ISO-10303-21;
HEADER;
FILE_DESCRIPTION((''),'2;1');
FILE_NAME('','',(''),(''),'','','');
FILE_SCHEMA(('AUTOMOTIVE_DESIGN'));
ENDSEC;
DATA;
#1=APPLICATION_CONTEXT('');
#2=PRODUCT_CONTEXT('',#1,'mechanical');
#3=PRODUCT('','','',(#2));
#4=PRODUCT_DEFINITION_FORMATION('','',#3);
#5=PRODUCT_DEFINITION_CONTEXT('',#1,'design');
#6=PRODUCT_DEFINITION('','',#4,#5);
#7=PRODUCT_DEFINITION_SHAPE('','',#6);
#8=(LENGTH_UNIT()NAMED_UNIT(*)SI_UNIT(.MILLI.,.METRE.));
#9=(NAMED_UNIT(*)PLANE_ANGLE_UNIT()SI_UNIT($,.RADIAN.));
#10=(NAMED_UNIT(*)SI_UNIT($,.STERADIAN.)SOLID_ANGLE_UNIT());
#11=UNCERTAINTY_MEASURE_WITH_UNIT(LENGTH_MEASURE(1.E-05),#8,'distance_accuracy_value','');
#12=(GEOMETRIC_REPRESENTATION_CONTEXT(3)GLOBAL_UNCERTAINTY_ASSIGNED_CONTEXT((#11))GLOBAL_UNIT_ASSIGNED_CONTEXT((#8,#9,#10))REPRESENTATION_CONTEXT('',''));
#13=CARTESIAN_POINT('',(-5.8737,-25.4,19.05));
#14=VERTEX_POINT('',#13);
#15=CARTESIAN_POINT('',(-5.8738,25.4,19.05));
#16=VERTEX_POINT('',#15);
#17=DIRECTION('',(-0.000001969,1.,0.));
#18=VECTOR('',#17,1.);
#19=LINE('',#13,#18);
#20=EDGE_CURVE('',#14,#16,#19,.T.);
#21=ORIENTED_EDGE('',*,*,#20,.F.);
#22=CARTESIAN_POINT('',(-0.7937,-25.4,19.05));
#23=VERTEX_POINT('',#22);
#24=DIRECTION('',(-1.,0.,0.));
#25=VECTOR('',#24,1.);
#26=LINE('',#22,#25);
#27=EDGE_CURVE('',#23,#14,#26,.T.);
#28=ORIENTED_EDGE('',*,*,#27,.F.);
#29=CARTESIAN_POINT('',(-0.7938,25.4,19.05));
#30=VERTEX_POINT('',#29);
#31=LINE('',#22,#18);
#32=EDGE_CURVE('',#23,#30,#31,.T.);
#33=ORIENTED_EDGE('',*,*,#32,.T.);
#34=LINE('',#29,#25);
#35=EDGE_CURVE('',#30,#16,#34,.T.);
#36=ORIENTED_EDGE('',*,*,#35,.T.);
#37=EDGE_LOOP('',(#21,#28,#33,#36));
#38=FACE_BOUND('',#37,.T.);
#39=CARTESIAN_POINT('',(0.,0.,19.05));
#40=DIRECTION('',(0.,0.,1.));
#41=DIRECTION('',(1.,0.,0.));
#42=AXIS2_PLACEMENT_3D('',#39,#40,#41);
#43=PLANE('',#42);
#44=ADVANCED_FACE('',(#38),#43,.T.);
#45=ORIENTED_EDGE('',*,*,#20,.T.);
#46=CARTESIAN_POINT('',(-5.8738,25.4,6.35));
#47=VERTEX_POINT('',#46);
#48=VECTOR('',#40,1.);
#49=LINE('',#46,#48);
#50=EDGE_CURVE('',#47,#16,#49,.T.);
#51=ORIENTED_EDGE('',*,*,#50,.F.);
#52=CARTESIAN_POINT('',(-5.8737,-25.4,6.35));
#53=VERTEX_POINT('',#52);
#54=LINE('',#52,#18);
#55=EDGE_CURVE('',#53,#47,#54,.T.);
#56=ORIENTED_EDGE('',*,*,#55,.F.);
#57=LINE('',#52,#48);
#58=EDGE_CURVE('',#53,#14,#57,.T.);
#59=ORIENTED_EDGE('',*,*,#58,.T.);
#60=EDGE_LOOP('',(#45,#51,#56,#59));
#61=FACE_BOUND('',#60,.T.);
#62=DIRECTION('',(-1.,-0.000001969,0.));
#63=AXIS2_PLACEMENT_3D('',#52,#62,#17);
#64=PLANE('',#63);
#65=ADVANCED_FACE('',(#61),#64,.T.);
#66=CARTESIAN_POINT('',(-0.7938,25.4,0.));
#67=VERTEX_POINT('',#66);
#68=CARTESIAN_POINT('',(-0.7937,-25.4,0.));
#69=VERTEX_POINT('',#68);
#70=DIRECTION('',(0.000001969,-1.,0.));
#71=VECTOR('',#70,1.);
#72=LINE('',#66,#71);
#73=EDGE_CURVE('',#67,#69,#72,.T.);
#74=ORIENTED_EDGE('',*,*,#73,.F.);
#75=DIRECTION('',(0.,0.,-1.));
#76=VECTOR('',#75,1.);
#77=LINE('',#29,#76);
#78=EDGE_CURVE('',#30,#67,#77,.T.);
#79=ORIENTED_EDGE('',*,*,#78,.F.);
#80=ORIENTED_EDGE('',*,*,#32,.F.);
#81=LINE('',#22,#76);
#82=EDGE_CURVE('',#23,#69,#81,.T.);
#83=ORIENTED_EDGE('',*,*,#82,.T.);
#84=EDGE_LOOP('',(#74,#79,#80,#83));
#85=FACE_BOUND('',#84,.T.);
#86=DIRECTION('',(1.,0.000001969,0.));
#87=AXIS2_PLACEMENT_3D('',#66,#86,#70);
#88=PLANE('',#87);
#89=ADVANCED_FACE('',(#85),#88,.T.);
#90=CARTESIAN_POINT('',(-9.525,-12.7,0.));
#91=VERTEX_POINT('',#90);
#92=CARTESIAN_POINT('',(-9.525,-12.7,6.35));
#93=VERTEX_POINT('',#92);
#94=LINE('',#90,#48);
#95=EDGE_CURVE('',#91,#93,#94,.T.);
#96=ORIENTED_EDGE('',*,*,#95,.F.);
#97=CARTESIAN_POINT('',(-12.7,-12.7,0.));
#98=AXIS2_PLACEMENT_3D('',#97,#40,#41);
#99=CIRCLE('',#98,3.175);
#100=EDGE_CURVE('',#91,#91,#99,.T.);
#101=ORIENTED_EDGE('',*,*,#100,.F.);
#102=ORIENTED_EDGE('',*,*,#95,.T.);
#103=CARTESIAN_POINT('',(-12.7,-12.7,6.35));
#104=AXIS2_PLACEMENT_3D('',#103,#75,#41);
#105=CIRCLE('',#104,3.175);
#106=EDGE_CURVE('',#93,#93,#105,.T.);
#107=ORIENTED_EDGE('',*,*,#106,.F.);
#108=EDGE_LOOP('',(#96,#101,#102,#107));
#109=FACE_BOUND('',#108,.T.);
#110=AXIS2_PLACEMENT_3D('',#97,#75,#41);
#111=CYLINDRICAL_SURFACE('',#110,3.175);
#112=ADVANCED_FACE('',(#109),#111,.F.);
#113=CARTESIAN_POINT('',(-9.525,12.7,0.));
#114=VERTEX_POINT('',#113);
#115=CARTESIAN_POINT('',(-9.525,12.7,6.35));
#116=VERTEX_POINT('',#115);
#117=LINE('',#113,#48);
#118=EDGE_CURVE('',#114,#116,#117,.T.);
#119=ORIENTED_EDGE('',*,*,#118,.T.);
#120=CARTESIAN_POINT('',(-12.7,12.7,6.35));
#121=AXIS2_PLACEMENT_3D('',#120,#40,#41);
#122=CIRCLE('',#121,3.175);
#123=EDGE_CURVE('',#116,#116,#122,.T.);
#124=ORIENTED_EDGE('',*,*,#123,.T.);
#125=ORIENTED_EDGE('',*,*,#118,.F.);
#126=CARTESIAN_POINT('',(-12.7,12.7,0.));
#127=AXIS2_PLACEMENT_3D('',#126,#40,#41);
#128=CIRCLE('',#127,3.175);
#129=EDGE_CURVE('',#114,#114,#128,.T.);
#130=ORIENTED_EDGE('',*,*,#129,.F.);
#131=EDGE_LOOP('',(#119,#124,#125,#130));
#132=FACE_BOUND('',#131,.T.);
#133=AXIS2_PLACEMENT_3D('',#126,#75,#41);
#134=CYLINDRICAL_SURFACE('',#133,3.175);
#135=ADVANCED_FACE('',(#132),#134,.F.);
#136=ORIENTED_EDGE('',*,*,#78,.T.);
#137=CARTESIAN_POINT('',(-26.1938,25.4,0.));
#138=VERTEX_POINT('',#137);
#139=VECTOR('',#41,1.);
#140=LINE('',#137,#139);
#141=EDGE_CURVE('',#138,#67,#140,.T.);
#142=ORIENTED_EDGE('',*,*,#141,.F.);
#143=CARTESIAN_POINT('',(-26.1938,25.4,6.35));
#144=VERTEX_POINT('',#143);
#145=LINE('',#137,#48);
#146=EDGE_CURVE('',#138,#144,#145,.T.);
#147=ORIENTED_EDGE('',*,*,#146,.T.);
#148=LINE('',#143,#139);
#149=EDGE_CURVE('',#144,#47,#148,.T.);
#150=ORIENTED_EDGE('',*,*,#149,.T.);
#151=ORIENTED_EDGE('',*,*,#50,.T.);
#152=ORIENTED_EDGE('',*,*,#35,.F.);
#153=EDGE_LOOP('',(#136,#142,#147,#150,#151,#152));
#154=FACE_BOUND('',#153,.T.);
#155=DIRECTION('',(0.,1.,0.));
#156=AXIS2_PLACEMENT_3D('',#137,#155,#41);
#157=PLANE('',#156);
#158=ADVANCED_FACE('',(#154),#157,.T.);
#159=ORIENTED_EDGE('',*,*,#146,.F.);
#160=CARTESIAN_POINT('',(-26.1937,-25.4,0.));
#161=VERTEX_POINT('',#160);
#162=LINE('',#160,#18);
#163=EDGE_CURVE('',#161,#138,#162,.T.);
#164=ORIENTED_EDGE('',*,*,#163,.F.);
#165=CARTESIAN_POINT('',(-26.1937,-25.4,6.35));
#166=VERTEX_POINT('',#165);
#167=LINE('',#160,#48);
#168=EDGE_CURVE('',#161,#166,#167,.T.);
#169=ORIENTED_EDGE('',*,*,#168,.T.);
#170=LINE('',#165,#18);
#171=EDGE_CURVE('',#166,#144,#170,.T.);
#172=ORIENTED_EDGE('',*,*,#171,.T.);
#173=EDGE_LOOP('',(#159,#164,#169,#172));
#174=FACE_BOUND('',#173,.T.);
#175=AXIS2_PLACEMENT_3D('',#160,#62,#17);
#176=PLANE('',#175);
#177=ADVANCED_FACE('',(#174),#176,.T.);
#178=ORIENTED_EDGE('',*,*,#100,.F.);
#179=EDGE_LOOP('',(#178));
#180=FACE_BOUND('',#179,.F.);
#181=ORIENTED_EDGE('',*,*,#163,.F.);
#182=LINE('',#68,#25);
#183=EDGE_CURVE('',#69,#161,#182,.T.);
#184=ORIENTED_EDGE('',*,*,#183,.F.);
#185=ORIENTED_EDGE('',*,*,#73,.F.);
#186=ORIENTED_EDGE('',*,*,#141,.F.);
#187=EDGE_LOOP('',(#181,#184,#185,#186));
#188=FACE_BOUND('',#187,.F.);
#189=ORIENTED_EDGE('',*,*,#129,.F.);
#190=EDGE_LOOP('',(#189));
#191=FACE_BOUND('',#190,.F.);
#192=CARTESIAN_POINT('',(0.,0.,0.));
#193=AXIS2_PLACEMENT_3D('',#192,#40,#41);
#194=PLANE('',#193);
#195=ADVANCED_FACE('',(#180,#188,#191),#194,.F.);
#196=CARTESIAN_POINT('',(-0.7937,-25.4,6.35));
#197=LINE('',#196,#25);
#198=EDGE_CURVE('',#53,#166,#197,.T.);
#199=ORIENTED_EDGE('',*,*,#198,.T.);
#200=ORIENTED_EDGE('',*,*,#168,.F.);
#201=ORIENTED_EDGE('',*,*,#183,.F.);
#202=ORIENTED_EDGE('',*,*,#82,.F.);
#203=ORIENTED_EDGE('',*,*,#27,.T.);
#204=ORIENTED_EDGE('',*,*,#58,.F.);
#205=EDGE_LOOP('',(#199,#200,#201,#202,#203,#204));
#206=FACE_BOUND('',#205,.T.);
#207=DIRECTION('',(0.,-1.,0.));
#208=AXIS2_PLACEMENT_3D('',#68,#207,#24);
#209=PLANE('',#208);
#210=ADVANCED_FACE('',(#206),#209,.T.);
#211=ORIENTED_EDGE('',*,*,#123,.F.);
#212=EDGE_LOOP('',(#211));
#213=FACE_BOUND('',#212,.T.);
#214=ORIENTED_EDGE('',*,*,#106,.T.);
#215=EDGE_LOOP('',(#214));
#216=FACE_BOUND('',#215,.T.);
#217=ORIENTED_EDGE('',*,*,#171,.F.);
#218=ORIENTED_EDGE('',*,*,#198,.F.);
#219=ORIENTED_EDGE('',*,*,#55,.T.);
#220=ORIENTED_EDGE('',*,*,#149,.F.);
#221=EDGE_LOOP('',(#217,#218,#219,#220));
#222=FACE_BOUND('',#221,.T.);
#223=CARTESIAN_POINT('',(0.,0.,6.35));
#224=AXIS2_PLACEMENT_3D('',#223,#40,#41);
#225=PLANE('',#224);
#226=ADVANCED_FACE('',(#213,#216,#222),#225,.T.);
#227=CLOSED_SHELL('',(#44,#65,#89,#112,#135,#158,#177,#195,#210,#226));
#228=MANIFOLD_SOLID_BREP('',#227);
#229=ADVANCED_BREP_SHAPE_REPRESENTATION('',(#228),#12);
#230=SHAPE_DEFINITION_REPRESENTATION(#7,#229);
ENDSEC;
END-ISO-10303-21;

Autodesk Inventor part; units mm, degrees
ref_plane "YZ Plane" through (0, 0, 0) normal (1, 0, 0) x (0, 1, 0)
ref_plane "XZ Plane" through (0, 0, 0) normal (0, 1, 0) x (-1, 0, 0)
ref_plane "XY Plane" through (0, 0, 0) normal (0, 0, 1) x (1, 0, 0)
sketch "Sketch1" plane through (0, 0, 0) normal (0, 0, 1) x (1, 0, 0)
  line L0 (0, 2.4078) -> (0, -18.8352)
  line L1 (-12.7, 4.1621) -> (-12.7, -19.6361)
  line L2 (-20.3324, 0) -> (-11.9249, 0)
  circle A0 centre (-12.7, 12.7) radius 3.175
  circle A1 centre (-12.7, -12.7) radius 3.175
  line L3 (-26.1938, 25.4) -> (-0.7938, 25.4)
  line L4 (-0.7938, 25.4) -> (-0.7937, -25.4)
  line L5 (-0.7937, -25.4) -> (-26.1937, -25.4)
  line L6 (-26.1937, -25.4) -> (-26.1938, 25.4)
  point P0 (0, 0)
  dimension "d0" = 12.7
  dimension "d1" = 25.4
  dimension "d2" = 25.4
  dimension "d3" = 6.35
  dimension "d4" = 6.35
  dimension "d5" = 1.5875
  dimension "d6" = 25.4
  dimension "d7" = 50.8
  dimension "d8" = 12.7
extrude "Extrusion1" add sketch "Sketch1" along normal blind 6.35
sketch "Sketch2" plane through (0, 0, 6.35) normal (0, 0, 1) x (1, 0, 0)
  line L0 (-0.7938, 25.4) -> (-26.1938, 25.4) projected
  line L1 (-0.7937, -25.4) -> (-0.7938, 25.4) projected
  line L2 (-5.8738, 25.4) -> (-0.7937, 25.4)
  line L3 (-0.7937, 25.4) -> (-0.7937, -25.4)
  line L4 (-0.7937, -25.4) -> (-5.8737, -25.4)
  line L5 (-5.8737, -25.4) -> (-5.8738, 25.4)
  point P0 (0, 0)
  dimension "d11" = 5.08
extrude "Extrusion2" add sketch "Sketch2" along normal blind 12.7
properties part number "diffuser holder"
